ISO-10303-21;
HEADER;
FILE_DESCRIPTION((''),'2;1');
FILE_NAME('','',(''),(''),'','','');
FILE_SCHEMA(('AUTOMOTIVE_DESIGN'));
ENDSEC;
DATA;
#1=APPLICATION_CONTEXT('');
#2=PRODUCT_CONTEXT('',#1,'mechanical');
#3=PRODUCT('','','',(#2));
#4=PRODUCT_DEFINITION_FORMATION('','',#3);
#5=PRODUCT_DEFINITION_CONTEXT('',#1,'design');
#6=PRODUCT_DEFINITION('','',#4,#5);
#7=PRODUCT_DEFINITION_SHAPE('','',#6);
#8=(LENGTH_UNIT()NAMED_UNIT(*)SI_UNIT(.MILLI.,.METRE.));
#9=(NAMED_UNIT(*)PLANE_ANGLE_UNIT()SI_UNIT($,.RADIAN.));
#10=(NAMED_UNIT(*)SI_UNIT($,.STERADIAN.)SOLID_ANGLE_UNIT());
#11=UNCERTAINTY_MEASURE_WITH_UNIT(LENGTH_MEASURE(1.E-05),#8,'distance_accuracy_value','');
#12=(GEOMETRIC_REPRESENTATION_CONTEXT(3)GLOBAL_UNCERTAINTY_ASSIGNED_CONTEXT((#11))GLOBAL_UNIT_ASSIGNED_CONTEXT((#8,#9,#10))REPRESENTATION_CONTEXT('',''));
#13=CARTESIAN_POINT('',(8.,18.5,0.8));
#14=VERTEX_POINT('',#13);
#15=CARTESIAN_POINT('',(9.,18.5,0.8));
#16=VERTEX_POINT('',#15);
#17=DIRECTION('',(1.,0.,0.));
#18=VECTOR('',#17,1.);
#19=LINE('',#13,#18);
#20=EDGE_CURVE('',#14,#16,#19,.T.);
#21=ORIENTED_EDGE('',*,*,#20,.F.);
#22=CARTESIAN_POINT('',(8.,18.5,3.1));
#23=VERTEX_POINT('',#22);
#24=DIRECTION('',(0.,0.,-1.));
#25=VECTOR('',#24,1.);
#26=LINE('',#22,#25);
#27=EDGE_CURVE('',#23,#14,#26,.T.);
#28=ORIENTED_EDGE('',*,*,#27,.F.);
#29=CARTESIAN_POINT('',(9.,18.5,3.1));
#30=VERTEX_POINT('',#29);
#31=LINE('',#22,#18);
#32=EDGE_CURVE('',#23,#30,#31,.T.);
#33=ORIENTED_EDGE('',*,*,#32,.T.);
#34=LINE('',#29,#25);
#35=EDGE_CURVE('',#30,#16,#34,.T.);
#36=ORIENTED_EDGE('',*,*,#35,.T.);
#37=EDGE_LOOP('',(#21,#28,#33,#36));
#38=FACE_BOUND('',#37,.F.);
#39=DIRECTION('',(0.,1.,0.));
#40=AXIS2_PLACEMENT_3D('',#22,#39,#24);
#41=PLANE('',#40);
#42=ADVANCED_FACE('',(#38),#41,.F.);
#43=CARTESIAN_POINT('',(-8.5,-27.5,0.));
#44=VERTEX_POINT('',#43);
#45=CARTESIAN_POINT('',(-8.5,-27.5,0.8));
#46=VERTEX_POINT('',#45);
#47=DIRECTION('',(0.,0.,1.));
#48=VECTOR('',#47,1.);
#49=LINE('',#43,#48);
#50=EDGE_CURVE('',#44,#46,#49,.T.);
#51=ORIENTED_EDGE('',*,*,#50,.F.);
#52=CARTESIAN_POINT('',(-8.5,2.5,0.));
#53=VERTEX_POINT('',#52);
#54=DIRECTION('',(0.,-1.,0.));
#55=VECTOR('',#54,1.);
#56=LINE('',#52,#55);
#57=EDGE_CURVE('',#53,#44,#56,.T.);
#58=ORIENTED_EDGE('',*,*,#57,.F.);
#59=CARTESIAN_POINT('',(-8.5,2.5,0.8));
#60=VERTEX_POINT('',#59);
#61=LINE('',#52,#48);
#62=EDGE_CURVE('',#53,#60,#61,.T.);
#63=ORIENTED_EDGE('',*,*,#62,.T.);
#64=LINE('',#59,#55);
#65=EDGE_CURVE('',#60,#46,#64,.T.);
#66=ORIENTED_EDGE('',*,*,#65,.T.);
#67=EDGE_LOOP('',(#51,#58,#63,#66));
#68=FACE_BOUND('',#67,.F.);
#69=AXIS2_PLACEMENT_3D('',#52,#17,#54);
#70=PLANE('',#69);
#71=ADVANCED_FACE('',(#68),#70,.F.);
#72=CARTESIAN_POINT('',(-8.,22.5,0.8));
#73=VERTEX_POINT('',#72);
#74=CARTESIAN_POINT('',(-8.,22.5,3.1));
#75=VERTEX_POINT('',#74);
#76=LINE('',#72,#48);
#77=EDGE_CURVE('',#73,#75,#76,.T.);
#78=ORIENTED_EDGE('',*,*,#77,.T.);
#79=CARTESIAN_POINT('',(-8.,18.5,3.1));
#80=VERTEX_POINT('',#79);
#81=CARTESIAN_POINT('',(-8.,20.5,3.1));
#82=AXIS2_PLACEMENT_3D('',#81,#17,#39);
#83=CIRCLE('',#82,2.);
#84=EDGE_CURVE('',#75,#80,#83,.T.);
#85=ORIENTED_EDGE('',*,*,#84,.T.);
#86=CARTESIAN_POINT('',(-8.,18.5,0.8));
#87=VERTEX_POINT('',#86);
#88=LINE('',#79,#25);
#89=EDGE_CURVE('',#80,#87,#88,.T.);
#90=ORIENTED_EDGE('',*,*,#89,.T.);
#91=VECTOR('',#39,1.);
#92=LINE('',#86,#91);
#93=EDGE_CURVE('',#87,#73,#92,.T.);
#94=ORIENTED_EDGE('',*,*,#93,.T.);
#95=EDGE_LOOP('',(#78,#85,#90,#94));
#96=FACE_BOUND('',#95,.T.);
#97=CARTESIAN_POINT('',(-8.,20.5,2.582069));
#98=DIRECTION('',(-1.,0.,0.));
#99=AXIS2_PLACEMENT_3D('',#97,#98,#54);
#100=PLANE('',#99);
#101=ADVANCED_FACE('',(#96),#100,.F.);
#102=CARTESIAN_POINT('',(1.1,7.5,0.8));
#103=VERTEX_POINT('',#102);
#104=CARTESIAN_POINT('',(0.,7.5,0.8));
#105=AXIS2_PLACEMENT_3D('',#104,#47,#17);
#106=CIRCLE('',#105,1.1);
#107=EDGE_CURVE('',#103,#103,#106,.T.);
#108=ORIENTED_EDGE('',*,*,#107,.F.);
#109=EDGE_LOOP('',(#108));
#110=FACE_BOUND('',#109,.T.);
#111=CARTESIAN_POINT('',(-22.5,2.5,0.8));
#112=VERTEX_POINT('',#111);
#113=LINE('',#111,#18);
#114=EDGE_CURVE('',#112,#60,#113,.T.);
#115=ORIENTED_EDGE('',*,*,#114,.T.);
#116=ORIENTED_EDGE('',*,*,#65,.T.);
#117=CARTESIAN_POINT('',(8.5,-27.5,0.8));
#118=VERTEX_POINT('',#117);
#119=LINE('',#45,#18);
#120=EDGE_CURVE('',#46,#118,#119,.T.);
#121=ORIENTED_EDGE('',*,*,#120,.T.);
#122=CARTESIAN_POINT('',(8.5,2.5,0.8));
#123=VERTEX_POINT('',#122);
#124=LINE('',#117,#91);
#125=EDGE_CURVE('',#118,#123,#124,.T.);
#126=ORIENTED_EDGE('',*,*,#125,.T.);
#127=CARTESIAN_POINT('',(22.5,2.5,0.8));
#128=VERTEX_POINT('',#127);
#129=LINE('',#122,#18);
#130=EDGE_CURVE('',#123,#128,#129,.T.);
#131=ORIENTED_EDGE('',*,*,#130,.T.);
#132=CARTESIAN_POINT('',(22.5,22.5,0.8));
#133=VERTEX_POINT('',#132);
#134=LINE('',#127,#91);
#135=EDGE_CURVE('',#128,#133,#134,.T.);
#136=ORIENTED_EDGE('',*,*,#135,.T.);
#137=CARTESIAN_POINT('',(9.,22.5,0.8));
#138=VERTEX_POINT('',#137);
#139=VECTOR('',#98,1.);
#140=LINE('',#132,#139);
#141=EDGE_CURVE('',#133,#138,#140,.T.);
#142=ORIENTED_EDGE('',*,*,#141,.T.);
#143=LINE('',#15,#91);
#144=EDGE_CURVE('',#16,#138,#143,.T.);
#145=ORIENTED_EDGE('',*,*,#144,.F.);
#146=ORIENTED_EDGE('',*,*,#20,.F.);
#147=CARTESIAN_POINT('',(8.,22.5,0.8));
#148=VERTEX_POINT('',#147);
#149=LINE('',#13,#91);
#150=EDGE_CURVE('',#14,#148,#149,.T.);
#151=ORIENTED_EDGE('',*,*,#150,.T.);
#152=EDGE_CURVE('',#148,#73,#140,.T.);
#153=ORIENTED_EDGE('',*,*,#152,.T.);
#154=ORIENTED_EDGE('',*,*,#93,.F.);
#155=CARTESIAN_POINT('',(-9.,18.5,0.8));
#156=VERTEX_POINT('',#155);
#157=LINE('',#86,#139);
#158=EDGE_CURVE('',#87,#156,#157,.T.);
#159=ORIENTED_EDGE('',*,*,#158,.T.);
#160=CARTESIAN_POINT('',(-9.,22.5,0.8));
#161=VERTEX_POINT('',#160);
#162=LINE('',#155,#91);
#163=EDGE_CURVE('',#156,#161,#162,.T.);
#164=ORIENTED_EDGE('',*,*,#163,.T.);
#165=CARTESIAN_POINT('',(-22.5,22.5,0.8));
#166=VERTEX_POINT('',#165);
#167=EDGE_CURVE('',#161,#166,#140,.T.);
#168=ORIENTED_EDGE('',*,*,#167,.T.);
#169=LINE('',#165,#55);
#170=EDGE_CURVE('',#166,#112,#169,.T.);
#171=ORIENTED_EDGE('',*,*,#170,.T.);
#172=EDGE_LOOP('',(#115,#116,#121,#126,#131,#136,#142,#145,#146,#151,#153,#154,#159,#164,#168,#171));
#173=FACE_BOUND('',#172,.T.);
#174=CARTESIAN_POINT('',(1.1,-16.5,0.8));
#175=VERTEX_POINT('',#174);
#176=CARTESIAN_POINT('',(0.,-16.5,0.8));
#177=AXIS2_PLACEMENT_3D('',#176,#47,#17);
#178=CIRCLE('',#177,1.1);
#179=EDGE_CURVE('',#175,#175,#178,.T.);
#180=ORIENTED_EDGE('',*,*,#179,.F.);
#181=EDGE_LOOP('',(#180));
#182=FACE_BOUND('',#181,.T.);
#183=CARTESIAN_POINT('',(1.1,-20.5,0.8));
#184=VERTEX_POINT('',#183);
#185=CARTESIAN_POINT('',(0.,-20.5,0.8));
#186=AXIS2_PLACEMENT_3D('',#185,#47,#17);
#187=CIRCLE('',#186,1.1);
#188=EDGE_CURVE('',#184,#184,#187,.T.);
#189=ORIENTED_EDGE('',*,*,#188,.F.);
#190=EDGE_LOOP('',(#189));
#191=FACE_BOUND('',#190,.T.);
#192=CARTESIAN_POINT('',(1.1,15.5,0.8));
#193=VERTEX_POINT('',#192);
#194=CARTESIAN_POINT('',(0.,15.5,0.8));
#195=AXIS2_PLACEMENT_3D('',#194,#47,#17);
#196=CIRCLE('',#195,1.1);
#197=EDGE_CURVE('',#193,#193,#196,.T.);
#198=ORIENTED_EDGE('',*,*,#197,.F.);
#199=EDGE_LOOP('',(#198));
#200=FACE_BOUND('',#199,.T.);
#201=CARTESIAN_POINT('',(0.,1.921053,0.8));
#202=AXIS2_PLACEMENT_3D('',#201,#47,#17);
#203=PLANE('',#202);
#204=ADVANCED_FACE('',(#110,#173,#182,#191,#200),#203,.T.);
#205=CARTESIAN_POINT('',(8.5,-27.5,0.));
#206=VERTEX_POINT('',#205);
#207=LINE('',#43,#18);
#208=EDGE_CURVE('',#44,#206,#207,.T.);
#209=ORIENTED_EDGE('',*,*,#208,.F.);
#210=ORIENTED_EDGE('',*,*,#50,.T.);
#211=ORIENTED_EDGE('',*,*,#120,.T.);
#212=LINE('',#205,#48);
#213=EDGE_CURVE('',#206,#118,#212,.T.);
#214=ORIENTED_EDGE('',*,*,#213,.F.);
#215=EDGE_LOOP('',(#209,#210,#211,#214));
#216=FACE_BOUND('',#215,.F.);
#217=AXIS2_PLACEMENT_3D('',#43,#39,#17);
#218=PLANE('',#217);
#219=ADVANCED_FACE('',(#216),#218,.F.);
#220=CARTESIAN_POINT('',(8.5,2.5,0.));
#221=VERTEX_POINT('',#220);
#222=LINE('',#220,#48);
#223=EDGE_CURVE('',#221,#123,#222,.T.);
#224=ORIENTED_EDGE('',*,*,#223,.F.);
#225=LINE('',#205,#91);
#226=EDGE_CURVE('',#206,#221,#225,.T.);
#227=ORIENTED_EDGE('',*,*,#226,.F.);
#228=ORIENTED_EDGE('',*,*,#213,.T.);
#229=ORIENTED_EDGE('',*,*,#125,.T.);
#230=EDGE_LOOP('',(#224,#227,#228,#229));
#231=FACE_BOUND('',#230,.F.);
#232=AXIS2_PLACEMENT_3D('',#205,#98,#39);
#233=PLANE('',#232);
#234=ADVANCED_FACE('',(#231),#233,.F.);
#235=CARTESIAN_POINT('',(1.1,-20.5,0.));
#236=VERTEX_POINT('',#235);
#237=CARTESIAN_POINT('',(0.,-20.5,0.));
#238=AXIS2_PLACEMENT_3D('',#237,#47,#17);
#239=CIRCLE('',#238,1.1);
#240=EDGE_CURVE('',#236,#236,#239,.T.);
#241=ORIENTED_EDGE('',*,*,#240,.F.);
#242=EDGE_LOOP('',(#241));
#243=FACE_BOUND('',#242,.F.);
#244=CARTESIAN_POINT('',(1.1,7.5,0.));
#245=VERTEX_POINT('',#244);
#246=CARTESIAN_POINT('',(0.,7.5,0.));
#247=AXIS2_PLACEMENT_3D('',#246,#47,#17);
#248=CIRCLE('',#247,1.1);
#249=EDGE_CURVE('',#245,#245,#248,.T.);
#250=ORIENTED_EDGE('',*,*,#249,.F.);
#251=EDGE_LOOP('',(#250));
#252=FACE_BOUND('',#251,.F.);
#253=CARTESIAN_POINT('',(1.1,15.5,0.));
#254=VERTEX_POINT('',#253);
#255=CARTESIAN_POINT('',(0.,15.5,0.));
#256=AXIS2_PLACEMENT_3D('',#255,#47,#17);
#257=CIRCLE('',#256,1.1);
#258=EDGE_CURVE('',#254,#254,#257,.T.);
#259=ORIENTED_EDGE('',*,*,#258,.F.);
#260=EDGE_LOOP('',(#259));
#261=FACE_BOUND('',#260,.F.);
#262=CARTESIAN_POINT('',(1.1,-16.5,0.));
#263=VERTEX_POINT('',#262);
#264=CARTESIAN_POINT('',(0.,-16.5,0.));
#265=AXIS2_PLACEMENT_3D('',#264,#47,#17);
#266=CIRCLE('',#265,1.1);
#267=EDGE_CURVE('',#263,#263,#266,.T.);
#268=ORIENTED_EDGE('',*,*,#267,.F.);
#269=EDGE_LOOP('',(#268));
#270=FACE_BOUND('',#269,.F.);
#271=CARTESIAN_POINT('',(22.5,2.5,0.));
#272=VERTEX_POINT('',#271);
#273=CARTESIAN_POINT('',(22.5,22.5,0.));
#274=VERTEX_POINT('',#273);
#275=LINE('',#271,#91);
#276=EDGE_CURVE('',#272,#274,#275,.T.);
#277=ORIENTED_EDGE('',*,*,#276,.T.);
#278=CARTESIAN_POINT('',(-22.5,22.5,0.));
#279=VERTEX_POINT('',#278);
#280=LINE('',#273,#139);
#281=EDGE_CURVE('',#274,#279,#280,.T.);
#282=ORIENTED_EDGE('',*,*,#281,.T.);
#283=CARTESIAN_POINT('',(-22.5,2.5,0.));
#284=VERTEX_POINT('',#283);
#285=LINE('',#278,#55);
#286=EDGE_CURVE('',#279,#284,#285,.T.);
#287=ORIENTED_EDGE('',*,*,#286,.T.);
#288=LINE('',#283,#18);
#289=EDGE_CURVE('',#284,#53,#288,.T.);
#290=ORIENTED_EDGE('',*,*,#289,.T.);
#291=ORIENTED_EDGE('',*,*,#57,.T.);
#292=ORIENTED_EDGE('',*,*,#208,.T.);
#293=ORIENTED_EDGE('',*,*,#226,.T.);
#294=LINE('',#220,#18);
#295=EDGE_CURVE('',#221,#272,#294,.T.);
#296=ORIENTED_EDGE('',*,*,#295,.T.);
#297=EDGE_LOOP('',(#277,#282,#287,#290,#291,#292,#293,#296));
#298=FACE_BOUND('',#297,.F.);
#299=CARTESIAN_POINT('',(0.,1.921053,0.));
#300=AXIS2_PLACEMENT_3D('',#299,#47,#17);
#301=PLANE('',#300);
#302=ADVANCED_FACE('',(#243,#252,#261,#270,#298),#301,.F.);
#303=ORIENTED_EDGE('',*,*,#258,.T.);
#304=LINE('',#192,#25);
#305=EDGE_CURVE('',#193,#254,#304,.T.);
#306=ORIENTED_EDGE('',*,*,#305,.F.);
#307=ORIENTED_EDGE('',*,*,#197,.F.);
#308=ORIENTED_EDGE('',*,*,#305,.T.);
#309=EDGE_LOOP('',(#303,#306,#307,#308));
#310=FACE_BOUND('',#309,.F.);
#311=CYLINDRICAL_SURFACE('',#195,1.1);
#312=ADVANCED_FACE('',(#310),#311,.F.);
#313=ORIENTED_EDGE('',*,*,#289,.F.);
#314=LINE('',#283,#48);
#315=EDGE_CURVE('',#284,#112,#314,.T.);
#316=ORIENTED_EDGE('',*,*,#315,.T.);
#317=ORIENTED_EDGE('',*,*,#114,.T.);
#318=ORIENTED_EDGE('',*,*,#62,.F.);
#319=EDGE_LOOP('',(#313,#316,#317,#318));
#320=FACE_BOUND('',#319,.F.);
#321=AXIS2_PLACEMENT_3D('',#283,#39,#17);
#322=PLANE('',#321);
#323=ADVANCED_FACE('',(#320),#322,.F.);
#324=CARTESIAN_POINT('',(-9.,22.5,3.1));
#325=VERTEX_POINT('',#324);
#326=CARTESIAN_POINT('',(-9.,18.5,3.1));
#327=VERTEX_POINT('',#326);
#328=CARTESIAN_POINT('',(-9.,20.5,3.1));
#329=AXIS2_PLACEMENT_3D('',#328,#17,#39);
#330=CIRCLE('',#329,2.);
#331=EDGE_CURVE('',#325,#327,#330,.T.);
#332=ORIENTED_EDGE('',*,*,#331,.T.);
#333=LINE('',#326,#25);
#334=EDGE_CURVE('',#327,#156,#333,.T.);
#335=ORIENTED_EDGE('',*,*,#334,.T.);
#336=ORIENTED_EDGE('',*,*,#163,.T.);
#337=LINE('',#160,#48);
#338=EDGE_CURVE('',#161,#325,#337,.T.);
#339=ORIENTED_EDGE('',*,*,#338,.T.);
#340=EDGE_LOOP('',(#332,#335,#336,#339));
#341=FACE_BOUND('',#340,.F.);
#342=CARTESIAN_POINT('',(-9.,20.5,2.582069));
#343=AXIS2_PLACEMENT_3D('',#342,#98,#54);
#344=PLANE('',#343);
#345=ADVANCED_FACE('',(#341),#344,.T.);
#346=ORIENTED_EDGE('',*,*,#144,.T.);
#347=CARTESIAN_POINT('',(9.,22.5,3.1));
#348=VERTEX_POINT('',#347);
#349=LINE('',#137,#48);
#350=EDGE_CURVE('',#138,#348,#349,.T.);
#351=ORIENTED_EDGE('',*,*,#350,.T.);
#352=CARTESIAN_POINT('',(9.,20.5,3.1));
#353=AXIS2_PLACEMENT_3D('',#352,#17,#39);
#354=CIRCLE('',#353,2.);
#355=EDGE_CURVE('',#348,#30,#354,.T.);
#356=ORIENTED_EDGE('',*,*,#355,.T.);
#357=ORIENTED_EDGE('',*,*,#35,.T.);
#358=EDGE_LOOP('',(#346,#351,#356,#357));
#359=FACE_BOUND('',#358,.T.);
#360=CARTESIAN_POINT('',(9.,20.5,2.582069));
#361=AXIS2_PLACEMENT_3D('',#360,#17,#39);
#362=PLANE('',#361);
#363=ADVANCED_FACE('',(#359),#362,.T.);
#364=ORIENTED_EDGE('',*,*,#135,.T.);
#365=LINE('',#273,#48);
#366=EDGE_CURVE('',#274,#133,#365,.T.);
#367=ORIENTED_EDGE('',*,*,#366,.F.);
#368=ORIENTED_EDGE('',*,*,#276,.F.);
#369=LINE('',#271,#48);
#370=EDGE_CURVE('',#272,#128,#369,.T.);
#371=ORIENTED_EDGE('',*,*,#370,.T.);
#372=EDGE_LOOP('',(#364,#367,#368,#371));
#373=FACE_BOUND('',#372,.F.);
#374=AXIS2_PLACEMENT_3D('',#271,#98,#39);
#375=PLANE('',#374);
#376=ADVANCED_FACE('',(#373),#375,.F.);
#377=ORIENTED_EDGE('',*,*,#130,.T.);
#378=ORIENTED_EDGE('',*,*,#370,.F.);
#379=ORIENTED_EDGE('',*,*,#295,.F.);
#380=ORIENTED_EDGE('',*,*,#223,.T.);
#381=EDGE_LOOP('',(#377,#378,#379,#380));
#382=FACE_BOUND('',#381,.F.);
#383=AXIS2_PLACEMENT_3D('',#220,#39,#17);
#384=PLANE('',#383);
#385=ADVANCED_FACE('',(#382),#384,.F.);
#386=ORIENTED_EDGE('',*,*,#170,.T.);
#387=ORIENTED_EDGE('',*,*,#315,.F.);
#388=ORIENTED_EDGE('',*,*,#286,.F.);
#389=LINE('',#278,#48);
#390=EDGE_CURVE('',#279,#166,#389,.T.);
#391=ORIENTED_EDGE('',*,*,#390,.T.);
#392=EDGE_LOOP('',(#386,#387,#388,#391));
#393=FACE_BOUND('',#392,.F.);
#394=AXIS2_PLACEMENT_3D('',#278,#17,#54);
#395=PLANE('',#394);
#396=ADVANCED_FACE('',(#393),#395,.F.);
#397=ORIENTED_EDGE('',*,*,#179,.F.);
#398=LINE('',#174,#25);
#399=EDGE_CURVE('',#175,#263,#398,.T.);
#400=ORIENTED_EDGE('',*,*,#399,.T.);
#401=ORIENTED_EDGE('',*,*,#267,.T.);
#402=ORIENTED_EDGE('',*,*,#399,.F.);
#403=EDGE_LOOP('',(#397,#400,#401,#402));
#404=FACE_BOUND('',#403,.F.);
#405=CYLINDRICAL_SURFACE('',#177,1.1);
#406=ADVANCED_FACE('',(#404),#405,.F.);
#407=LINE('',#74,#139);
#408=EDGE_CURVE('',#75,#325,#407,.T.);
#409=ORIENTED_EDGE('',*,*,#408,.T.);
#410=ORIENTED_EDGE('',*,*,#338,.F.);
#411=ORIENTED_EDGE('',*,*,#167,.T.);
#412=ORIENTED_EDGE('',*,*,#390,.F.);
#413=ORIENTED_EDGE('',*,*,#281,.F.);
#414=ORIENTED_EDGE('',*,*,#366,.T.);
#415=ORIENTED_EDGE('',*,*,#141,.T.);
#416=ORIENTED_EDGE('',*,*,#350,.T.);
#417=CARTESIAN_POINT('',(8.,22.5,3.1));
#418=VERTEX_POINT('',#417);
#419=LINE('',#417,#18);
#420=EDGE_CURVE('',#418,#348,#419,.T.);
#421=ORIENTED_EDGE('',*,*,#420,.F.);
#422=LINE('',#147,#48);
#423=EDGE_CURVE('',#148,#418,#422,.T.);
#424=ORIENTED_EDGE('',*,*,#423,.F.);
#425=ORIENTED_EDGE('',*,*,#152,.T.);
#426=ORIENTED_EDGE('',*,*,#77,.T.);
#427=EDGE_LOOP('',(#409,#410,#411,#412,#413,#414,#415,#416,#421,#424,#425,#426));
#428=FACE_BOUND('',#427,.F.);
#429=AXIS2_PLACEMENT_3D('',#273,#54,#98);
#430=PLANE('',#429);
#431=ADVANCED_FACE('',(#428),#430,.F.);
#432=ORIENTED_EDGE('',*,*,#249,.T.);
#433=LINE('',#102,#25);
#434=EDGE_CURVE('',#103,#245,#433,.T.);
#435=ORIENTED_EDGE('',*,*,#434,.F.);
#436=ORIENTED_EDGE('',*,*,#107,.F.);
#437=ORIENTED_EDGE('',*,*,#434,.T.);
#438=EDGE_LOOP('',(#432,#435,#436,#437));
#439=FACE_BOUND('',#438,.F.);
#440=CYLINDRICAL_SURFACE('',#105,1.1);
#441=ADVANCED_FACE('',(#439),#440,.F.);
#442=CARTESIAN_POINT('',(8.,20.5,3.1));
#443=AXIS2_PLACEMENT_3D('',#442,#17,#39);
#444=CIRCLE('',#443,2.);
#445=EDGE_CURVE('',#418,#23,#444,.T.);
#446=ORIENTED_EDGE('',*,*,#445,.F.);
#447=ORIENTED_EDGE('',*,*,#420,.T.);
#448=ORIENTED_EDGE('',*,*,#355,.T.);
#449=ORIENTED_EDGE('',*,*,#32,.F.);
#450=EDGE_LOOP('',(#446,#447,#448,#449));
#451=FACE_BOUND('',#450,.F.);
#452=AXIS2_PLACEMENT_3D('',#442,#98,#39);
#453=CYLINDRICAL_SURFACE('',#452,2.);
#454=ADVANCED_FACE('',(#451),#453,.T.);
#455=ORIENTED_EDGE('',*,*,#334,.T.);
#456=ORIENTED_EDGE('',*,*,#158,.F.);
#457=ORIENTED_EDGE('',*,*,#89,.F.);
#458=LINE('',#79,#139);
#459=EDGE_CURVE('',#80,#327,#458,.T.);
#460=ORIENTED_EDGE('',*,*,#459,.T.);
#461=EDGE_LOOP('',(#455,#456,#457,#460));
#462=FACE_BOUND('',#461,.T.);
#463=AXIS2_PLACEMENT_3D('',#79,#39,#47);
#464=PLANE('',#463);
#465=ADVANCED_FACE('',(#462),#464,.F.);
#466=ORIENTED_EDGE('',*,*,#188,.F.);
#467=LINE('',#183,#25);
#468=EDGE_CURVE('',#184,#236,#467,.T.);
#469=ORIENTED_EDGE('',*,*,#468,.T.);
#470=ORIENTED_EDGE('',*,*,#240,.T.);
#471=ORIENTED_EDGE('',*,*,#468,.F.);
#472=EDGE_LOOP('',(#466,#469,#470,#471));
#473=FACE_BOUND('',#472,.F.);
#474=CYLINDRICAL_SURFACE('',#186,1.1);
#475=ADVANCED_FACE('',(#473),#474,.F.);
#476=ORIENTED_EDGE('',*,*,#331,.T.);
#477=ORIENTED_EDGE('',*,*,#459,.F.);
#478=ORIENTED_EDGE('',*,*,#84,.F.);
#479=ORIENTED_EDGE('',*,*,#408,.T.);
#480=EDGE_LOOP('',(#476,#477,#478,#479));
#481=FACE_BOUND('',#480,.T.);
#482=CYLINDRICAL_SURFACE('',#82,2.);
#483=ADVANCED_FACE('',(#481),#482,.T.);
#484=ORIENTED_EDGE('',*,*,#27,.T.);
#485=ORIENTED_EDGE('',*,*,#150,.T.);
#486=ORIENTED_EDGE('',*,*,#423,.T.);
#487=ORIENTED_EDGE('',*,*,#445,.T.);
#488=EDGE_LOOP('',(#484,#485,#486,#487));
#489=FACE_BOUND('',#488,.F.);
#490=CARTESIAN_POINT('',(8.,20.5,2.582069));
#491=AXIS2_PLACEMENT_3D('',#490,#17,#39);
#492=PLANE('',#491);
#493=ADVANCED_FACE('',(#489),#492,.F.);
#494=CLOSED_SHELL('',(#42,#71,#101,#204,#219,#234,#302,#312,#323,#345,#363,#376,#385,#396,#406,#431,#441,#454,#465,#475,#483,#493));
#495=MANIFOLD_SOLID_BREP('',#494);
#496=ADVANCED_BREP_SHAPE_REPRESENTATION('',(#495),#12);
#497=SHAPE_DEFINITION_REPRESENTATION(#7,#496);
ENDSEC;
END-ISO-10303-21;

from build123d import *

# Parameters (mm, degrees)
F1_DEPTH = 0.8
F4_DEPTH = 1
F6_R     = 1.1
F7_DEPTH = 0.801


with BuildPart() as f1:
    # F0 (on Top) → F1 (new body)
    with BuildSketch(Plane.XY):
        Polygon((-8.5, 2.5), (-8.5, -27.5), (8.5, -27.5), (8.5, 2.5), (22.5, 2.5), (22.5, 22.5), (-22.5, 22.5), (-22.5, 2.5), align=None)
    extrude(amount=F1_DEPTH)

    # F3 (on offset) → F4 (join)
    with BuildSketch(Plane.YZ.offset(8)):
        with BuildLine():
            Line((18.5, 3.1), (18.5, 0.8))
            Line((18.5, 0.8), (22.5, 0.8))
            Line((22.5, 0.8), (22.5, 3.1))
            ThreePointArc((22.5, 3.1), (20.5, 5.1), (18.5, 3.1))
        make_face()
    extrude(amount=F4_DEPTH)

    # F5: F1 across plane


with BuildPart() as f1_1:
    add(f1.part)
    add(f1.part.mirror(Plane.YZ))

    # F6 (on face) → F7 (cut, through all)
    with BuildSketch(Plane.XY.offset(0.8)):
        with Locations((0, 15.5)):
            Circle(F6_R)
        with Locations((0, 7.5)):
            Circle(F6_R)
        with Locations((0, -16.5)):
            Circle(F6_R)
        with Locations((0, -20.5)):
            Circle(F6_R)
    extrude(amount=-F7_DEPTH, mode=Mode.SUBTRACT)


solid = f1_1.part
